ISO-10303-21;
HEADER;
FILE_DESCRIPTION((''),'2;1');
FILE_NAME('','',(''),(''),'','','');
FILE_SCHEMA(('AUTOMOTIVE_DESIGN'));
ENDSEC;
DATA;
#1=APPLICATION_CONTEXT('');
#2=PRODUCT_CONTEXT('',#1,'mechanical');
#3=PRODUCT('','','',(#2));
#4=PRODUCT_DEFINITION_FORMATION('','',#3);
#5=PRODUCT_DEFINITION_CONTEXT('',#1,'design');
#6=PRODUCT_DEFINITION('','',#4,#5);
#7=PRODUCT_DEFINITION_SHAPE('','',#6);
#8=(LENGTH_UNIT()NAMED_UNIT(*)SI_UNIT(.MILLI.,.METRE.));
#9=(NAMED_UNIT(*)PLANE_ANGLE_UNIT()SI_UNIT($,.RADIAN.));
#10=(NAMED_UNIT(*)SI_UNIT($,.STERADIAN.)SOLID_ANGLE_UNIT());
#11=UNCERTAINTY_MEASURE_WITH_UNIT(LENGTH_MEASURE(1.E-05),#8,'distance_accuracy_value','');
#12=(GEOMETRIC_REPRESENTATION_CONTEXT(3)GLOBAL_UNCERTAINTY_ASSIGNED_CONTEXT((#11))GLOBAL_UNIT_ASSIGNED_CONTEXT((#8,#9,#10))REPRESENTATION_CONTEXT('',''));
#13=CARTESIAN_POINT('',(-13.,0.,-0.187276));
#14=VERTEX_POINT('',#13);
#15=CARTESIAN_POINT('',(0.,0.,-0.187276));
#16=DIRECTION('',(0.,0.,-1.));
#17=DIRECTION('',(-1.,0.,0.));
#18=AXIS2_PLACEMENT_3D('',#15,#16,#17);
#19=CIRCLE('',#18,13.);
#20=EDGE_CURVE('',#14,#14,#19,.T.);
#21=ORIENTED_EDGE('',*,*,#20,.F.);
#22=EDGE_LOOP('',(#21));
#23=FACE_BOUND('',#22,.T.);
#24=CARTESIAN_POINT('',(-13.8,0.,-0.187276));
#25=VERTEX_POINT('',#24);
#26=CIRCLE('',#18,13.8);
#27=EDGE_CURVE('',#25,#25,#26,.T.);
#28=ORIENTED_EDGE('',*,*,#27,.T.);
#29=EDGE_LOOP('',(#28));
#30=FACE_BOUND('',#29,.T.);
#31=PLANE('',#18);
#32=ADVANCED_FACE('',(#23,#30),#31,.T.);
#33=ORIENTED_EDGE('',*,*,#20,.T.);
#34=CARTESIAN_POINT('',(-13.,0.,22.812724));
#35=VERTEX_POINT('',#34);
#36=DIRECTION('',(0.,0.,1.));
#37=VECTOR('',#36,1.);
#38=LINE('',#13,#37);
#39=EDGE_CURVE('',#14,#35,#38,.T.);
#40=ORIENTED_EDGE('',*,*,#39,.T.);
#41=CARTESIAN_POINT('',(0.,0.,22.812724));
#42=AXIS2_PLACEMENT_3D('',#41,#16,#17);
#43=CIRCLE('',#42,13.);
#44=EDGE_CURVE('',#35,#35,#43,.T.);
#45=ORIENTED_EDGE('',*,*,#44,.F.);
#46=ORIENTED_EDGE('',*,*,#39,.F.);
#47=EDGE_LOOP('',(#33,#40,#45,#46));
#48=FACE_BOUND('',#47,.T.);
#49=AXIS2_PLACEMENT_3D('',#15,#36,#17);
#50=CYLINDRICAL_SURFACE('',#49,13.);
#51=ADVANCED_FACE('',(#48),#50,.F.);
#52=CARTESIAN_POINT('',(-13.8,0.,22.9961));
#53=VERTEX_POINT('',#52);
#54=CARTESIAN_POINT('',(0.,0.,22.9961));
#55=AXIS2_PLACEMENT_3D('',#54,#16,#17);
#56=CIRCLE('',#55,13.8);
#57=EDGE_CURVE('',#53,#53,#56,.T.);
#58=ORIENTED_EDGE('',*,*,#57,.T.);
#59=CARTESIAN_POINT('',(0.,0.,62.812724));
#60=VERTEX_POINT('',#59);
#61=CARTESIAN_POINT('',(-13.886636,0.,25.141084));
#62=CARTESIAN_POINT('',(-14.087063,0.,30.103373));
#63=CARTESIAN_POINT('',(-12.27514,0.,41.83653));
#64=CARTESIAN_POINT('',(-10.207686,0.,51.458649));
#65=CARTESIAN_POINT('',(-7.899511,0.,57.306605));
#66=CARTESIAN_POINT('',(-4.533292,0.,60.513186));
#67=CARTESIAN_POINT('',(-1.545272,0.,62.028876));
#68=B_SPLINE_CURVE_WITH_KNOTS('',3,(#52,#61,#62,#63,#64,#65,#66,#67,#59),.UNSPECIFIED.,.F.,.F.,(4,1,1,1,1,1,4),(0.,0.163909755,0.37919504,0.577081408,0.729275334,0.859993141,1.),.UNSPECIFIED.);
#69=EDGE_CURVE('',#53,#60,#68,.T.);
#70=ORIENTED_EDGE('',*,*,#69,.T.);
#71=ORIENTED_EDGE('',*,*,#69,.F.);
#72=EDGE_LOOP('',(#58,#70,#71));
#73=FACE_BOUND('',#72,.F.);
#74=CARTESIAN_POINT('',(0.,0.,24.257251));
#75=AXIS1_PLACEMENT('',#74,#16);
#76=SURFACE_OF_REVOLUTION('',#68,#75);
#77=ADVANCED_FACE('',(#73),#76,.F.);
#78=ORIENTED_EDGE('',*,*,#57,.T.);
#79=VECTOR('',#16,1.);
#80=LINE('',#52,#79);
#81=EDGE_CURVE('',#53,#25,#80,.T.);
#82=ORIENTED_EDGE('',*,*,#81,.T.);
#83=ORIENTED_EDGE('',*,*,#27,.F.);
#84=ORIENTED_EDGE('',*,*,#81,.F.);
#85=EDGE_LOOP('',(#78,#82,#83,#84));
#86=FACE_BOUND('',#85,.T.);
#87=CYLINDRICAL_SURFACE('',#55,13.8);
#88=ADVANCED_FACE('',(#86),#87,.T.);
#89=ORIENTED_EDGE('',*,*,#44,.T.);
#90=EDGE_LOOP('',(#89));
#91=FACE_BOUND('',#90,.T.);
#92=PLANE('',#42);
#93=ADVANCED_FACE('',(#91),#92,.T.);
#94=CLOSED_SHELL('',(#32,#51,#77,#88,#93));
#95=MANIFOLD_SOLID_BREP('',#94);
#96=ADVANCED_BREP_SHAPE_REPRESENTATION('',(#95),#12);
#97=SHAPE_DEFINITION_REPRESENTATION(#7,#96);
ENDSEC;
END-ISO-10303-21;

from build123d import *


with BuildPart() as f1:
    # F0 (on Front) → F1 (revolve)
    with BuildSketch(Plane.XZ):
        with BuildLine():
            Line((-13.8, -0.1872759312), (-13, -0.1872759312))
            Line((-13, -0.1872759312), (-13, 22.8127240688))
            Line((-13, 22.8127240688), (0, 22.8127240688))
            Line((0, 22.8127240688), (0, 62.8127240688))
            add(Edge.make_bspline(
                [(-13.8, 22.9960996658), (-13.8866359516, 25.1410843185), (-14.0870628459, 30.1033731171), (-12.2751395357, 41.8365298413), (-10.2076858258, 51.4586490959), (-7.8995111624, 57.3066051699), (-4.5332915974, 60.5131863401), (-1.5452719804, 62.028876142), (0, 62.8127240688)],
                knots=[0, 0, 0, 0, 0.163909755, 0.3791950401, 0.5770814076, 0.7292753343, 0.8599931413, 1, 1, 1, 1], degree=3))
            Line((-13.8, 22.9960996658), (-13.8, -0.1872759312))
        make_face()
    revolve(axis=Axis((0, 0, 24.2572510615), (0, 0, -1)))


solid = f1.part
